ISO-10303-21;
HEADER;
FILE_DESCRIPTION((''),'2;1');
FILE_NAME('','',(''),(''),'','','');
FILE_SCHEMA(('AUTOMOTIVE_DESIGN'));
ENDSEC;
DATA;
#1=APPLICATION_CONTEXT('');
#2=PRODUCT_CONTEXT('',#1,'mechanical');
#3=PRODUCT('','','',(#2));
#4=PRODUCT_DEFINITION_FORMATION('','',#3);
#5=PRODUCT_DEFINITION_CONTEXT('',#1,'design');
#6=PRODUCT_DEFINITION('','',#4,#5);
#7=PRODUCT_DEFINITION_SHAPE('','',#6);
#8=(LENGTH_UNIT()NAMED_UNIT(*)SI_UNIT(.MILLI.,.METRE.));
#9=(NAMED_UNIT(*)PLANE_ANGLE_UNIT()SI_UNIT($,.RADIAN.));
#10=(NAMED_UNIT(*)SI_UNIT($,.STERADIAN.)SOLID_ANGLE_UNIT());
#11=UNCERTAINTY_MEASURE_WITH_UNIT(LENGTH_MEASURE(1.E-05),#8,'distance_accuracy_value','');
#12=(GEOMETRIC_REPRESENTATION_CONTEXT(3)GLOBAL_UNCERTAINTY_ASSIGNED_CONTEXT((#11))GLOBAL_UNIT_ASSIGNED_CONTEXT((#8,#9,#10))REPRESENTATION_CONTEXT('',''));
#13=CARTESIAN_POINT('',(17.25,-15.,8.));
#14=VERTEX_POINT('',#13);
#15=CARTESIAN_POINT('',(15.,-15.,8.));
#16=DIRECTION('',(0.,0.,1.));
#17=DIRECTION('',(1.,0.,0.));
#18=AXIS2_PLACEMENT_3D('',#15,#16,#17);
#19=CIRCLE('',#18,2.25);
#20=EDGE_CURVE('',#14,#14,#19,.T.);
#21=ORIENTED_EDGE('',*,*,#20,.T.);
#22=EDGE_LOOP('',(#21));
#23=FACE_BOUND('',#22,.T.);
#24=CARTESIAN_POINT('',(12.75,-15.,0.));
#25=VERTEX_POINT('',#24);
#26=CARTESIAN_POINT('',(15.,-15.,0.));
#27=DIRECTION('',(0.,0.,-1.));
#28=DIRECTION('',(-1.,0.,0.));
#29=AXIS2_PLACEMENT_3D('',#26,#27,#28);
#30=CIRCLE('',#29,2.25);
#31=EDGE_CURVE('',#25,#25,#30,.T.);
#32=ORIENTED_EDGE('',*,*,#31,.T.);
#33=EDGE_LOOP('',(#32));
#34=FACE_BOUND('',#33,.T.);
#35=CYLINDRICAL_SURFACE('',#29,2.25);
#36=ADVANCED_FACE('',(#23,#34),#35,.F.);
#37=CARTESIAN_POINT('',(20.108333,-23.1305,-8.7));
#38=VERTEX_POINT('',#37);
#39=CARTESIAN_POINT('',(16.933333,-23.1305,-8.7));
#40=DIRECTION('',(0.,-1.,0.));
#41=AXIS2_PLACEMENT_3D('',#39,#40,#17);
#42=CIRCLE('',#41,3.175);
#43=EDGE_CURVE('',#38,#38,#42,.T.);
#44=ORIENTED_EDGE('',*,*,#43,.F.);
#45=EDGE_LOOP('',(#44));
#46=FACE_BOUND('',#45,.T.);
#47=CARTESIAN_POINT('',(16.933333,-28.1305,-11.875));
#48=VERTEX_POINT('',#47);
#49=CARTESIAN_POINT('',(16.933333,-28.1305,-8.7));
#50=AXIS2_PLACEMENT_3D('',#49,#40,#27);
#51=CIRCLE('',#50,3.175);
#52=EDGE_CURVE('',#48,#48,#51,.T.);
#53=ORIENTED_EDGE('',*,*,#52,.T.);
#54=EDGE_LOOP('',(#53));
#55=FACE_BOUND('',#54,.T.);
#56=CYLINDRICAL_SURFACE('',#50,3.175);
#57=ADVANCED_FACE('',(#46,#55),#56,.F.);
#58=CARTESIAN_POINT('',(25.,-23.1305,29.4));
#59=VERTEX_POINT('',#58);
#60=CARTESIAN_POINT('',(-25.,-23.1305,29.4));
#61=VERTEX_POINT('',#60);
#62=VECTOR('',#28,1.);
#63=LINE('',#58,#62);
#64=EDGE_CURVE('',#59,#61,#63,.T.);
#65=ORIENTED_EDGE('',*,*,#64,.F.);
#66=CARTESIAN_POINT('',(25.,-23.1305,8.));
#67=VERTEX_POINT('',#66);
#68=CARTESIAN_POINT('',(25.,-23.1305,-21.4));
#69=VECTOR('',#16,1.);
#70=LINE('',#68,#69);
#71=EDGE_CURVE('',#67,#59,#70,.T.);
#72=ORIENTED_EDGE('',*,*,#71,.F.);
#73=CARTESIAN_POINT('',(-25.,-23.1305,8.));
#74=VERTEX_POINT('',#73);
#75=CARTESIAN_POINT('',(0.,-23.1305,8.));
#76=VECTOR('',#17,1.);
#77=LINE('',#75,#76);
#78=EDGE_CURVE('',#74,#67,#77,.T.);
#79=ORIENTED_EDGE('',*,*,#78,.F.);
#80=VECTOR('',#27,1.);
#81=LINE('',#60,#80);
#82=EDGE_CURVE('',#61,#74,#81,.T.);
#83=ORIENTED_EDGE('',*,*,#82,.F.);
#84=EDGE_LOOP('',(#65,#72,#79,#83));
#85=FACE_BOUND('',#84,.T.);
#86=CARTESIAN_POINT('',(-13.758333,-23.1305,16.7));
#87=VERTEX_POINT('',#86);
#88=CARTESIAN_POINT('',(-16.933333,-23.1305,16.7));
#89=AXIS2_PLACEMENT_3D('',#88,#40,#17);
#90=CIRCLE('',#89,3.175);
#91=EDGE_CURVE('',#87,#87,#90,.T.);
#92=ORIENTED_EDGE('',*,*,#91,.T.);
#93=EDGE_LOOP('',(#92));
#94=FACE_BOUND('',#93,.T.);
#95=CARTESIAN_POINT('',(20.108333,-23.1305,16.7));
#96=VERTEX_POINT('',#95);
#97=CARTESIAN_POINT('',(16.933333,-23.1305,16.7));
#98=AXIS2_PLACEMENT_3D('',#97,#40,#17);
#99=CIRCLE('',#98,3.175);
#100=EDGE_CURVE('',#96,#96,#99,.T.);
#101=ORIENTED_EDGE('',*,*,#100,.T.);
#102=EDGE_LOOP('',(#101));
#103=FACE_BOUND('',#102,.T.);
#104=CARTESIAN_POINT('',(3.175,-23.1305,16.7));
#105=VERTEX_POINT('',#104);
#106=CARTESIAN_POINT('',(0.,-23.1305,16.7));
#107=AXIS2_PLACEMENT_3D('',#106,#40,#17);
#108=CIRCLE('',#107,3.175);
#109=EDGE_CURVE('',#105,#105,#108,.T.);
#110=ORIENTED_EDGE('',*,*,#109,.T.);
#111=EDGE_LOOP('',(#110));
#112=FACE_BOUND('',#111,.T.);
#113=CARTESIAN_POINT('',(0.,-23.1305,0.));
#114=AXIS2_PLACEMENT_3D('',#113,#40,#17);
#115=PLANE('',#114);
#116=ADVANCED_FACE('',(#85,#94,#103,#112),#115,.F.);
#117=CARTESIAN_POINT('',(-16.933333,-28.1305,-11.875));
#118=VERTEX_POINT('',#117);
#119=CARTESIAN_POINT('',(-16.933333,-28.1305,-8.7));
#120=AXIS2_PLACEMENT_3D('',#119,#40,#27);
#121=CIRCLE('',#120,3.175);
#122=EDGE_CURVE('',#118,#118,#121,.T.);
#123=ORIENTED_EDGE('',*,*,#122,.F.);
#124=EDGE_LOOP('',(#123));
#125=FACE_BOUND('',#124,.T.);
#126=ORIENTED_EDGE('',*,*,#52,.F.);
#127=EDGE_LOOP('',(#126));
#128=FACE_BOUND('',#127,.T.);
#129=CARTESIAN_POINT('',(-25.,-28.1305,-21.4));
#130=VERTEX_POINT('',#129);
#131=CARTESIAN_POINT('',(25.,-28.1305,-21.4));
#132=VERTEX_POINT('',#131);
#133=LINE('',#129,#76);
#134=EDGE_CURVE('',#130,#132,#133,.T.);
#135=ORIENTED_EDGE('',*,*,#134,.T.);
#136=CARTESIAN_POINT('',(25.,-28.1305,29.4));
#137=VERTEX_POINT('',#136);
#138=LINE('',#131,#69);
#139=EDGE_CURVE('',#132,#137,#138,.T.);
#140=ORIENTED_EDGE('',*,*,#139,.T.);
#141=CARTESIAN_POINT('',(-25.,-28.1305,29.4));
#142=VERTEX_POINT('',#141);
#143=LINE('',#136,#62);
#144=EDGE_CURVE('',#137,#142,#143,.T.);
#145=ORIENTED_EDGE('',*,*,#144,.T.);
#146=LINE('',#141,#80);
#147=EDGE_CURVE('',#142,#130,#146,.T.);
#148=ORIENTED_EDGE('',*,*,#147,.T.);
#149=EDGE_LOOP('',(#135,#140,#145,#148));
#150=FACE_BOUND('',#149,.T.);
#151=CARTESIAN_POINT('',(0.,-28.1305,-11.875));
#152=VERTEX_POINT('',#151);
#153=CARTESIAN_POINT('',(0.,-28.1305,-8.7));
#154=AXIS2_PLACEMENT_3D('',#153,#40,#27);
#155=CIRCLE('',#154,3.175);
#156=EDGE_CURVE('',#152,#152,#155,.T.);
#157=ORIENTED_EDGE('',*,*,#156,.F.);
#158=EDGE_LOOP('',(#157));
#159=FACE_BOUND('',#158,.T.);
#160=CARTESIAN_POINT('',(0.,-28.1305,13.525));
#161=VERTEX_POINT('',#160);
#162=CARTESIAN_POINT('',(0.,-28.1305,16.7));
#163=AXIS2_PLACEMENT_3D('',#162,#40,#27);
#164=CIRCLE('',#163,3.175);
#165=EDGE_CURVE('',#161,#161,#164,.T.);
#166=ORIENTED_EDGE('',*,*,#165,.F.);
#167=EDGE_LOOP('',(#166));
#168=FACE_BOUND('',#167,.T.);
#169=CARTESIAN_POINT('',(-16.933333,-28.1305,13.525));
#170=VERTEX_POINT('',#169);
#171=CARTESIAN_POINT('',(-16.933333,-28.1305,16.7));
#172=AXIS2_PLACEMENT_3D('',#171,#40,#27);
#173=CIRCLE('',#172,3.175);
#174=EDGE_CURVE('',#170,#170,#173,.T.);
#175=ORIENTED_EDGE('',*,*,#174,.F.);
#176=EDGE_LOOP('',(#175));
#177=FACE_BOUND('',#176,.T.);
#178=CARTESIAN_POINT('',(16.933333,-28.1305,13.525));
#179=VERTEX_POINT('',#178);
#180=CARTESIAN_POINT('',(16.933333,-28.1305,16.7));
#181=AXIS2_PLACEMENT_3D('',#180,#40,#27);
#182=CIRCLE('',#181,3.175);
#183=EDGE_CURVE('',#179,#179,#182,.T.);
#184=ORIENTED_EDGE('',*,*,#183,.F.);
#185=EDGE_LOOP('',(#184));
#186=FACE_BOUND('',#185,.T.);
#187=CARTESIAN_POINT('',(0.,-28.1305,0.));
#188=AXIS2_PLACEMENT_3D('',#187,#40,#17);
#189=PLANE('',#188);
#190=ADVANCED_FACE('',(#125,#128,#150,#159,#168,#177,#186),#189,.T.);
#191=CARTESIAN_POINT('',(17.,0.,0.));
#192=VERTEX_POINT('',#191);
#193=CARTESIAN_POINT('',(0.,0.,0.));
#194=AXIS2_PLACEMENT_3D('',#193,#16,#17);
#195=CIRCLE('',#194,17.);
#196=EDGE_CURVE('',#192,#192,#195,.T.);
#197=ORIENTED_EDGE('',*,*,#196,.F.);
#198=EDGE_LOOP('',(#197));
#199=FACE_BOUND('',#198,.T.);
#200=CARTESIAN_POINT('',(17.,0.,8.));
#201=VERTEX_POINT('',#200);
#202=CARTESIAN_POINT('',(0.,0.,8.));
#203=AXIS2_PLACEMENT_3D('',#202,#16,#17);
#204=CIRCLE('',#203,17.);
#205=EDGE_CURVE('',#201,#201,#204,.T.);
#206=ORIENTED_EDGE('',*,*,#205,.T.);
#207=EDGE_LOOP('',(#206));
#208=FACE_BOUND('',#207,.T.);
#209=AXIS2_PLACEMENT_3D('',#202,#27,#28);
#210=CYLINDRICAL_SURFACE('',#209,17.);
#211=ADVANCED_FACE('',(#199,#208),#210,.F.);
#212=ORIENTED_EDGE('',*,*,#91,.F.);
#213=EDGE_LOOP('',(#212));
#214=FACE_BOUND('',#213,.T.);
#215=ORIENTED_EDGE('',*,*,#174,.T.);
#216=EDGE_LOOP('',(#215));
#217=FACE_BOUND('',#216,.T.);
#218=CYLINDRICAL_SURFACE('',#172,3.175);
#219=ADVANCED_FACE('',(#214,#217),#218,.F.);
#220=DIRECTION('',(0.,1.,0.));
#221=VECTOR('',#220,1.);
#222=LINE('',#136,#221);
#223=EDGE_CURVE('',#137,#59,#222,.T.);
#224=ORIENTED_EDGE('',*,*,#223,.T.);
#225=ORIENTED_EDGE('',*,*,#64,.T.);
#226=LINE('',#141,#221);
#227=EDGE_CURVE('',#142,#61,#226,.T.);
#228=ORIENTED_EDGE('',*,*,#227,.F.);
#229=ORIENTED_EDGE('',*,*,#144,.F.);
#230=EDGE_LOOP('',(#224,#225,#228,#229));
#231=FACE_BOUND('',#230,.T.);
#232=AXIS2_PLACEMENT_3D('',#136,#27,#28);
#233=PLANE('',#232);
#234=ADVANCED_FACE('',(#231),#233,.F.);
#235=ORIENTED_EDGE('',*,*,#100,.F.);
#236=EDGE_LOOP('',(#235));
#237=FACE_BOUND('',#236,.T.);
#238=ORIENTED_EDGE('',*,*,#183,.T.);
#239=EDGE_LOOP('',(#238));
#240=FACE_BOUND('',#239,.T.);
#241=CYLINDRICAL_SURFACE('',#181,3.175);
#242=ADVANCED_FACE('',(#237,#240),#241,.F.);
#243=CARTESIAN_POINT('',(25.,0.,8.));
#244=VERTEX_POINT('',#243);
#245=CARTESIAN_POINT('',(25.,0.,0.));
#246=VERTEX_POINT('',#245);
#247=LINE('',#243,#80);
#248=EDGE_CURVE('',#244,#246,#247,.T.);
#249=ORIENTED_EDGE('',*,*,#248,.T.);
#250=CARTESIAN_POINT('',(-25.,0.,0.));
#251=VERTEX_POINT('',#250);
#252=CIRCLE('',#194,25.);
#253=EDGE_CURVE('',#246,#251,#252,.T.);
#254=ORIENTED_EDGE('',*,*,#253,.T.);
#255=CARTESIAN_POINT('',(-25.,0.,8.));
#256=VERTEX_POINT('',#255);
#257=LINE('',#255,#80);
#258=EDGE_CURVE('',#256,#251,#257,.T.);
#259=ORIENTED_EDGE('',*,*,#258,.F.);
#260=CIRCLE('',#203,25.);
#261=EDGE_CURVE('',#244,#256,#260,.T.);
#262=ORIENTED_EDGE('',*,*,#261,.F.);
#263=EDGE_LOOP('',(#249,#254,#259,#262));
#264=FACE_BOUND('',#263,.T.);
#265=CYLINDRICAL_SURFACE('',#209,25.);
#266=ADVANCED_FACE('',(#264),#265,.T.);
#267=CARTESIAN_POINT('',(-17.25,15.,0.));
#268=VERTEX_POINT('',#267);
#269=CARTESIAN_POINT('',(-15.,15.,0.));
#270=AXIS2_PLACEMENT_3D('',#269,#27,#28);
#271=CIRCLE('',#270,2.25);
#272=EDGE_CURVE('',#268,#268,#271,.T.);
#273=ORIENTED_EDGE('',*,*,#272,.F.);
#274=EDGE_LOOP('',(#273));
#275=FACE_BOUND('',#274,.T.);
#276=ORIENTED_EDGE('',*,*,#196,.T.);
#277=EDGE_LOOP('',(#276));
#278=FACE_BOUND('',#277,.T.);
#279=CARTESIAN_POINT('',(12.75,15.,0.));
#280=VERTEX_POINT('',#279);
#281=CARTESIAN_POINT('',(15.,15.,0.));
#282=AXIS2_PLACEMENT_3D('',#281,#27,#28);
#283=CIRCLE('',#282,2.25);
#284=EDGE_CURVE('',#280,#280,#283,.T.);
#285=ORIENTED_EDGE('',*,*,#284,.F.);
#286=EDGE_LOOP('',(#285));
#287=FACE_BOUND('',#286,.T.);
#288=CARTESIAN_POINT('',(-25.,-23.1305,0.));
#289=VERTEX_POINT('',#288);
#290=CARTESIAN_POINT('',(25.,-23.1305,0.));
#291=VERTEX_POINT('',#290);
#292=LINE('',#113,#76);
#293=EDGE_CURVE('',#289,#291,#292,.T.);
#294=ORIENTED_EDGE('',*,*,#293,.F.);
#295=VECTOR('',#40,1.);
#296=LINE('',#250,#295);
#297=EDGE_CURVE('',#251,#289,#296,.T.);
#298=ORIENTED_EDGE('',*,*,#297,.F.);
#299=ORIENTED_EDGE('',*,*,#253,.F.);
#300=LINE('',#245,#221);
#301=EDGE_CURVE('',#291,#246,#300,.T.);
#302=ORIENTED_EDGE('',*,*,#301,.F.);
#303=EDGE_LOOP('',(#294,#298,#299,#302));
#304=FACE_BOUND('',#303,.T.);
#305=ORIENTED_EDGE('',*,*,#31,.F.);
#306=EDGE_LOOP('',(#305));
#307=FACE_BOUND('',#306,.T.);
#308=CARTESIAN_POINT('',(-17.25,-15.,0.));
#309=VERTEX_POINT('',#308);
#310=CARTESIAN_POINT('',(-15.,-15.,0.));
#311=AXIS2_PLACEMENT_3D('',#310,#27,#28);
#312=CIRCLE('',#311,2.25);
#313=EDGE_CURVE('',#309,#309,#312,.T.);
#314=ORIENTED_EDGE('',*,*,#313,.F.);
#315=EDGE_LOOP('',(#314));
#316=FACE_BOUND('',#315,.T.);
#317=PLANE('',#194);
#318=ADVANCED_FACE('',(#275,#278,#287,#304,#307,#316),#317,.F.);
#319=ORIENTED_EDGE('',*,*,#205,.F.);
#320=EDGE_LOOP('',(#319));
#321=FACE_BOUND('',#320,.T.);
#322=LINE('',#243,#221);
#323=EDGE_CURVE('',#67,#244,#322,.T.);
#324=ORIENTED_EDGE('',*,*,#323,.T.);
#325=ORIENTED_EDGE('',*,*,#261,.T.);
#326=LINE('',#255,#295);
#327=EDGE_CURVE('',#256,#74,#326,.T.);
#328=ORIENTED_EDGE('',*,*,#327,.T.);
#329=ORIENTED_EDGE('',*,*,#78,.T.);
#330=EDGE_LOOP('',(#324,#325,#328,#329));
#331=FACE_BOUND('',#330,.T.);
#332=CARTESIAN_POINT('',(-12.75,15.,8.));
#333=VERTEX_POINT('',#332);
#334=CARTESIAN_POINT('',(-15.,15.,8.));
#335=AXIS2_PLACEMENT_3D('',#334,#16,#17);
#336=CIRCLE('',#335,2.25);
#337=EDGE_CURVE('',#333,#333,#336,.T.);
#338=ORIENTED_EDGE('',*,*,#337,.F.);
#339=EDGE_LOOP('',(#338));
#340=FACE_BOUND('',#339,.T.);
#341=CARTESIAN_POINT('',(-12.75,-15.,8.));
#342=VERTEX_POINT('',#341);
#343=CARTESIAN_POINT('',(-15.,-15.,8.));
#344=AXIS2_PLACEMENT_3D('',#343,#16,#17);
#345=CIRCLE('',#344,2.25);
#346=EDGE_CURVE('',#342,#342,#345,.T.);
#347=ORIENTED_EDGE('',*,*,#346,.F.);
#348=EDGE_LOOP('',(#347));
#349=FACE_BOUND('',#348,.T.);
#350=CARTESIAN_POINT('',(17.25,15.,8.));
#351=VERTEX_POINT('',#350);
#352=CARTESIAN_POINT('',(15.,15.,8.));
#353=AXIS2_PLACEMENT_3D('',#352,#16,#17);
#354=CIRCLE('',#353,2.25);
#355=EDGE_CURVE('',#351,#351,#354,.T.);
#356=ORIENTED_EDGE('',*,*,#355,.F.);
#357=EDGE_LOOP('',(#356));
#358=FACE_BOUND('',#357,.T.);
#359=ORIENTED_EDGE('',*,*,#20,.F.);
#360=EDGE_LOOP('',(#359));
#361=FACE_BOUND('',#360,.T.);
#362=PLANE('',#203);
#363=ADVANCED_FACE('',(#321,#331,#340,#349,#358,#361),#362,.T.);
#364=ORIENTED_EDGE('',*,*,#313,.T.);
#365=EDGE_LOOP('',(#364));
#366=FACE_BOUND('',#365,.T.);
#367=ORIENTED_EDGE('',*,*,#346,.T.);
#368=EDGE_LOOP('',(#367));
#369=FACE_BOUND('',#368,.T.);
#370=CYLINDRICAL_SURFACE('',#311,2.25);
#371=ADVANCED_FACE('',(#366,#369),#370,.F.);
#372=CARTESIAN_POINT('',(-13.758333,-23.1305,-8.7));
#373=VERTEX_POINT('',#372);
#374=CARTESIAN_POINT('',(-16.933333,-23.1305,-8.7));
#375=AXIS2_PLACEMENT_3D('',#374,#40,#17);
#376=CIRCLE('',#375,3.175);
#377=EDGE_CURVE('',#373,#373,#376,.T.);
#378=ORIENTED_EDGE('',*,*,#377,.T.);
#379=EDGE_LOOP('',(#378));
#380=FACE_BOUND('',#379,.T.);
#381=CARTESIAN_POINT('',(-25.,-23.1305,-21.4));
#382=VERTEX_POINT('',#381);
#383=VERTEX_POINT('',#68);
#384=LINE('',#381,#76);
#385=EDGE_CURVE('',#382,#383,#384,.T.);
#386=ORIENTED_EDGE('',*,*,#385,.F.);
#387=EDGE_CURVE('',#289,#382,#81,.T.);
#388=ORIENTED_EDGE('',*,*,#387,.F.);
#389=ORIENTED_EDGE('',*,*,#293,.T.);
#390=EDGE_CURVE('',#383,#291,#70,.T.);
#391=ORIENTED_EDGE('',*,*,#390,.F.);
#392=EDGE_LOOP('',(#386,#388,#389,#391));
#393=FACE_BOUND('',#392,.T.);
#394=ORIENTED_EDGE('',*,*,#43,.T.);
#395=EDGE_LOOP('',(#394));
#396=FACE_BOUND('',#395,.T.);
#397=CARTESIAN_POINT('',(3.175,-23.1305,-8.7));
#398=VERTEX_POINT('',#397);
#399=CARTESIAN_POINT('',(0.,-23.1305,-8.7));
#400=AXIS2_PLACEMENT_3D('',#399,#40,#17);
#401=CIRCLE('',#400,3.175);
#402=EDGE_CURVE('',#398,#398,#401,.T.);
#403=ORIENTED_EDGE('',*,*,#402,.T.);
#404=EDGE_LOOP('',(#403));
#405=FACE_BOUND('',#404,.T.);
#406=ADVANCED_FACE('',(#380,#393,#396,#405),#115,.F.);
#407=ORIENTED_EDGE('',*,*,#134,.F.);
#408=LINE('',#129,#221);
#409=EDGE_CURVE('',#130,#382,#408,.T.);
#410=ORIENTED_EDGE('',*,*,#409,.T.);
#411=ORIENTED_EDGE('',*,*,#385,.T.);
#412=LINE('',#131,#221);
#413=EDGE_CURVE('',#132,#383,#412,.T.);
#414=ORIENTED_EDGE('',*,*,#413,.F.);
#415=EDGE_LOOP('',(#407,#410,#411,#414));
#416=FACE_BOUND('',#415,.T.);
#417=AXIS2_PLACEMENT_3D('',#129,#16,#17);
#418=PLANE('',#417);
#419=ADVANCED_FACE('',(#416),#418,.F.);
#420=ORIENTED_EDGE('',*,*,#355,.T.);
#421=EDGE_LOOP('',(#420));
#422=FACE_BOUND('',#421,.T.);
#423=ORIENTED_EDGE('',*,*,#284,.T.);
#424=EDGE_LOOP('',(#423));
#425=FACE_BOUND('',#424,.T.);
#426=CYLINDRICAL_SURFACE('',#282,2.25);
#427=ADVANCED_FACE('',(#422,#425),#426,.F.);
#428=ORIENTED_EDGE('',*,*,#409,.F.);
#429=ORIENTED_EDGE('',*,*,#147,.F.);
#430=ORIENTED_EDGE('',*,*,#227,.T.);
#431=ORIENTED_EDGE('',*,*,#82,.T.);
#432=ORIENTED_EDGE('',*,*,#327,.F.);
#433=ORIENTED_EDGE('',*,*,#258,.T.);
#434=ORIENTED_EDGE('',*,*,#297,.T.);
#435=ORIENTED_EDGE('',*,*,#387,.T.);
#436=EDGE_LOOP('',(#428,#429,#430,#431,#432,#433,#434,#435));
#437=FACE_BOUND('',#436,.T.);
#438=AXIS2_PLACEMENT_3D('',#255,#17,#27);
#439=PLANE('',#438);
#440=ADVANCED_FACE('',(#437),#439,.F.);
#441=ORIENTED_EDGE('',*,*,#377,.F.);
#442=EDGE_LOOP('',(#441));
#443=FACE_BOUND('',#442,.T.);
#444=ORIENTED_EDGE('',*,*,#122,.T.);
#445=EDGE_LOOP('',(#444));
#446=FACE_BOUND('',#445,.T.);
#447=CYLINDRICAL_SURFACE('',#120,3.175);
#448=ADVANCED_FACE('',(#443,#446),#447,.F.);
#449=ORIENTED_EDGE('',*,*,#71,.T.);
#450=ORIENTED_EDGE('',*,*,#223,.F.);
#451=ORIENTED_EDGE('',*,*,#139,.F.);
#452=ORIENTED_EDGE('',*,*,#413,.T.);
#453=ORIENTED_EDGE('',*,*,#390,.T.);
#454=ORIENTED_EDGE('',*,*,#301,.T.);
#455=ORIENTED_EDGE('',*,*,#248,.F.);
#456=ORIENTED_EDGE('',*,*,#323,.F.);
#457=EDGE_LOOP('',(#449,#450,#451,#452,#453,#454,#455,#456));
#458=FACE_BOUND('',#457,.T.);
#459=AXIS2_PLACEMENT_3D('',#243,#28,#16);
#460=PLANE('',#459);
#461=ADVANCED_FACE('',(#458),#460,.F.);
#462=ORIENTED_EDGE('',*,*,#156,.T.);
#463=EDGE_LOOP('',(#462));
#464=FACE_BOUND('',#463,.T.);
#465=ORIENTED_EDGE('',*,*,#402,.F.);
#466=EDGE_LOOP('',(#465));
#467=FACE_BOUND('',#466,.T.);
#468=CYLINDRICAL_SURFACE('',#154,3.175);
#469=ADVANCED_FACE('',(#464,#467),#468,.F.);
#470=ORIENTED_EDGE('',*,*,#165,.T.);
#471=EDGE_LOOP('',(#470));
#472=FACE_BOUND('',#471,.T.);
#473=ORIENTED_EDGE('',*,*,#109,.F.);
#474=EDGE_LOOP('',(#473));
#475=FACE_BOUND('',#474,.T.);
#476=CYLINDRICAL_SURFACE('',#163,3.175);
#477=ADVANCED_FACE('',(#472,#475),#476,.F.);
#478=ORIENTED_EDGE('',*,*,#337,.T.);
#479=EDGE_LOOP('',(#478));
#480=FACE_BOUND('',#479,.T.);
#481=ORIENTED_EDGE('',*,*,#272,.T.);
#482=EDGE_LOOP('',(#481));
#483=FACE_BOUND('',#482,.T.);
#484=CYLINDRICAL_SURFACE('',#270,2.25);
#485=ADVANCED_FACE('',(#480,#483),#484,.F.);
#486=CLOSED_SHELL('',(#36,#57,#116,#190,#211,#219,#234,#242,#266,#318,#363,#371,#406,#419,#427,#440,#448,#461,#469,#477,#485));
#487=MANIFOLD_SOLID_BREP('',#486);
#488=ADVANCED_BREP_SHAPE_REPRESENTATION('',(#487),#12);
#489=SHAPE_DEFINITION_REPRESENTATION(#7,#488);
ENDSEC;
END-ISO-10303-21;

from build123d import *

# Parameters (mm, degrees)
SKETCH1_R        = 17
EXTRUSION1_DEPTH = 8
SKETCH2_W        = 50
SKETCH2_H        = 50.8
EXTRUSION2_DEPTH = 5
HOLE2_D          = 6.35
HOLE3_D          = 4.5


with BuildPart() as part:
    # Sketch1 → Extrusion1 (new body)
    with BuildSketch(Plane.XY):
        with BuildLine():
            Line((25, -23.1305), (25, 0))
            ThreePointArc((25, 0), (0, 25), (-25, 0))
            Line((-25, 0), (-25, -23.1305))
            Line((-25, -23.1305), (25, -23.1305))
        make_face()
        Circle(SKETCH1_R, mode=Mode.SUBTRACT)
    extrude(amount=EXTRUSION1_DEPTH)

    # Sketch2 → Extrusion2 (add)
    with BuildSketch(Plane.XZ.offset(23.1305)):
        with Locations((0, 4)):
            Rectangle(SKETCH2_W, SKETCH2_H)
    extrude(amount=EXTRUSION2_DEPTH)

    # Hole2 (through all)
    with Locations(Plane(origin=(0, -28.1305, 0), x_dir=(-1, 0, 0), z_dir=(0, -1, 0))):
        with Locations((16.933333333, -16.7), (0, -16.7), (16.933333333, 8.7), (0, 8.7), (-16.933333333, -16.7), (-16.933333333, 8.7)):
            Hole(HOLE2_D / 2)

    # Hole3 (through all)
    with Locations(Plane(origin=(0, 0, 0), x_dir=(-1, 0, 0), z_dir=(0, 0, -1))):
        with Locations((-15, 15), (15, 15), (-15, -15), (15, -15)):
            Hole(HOLE3_D / 2)


solid = part.part
